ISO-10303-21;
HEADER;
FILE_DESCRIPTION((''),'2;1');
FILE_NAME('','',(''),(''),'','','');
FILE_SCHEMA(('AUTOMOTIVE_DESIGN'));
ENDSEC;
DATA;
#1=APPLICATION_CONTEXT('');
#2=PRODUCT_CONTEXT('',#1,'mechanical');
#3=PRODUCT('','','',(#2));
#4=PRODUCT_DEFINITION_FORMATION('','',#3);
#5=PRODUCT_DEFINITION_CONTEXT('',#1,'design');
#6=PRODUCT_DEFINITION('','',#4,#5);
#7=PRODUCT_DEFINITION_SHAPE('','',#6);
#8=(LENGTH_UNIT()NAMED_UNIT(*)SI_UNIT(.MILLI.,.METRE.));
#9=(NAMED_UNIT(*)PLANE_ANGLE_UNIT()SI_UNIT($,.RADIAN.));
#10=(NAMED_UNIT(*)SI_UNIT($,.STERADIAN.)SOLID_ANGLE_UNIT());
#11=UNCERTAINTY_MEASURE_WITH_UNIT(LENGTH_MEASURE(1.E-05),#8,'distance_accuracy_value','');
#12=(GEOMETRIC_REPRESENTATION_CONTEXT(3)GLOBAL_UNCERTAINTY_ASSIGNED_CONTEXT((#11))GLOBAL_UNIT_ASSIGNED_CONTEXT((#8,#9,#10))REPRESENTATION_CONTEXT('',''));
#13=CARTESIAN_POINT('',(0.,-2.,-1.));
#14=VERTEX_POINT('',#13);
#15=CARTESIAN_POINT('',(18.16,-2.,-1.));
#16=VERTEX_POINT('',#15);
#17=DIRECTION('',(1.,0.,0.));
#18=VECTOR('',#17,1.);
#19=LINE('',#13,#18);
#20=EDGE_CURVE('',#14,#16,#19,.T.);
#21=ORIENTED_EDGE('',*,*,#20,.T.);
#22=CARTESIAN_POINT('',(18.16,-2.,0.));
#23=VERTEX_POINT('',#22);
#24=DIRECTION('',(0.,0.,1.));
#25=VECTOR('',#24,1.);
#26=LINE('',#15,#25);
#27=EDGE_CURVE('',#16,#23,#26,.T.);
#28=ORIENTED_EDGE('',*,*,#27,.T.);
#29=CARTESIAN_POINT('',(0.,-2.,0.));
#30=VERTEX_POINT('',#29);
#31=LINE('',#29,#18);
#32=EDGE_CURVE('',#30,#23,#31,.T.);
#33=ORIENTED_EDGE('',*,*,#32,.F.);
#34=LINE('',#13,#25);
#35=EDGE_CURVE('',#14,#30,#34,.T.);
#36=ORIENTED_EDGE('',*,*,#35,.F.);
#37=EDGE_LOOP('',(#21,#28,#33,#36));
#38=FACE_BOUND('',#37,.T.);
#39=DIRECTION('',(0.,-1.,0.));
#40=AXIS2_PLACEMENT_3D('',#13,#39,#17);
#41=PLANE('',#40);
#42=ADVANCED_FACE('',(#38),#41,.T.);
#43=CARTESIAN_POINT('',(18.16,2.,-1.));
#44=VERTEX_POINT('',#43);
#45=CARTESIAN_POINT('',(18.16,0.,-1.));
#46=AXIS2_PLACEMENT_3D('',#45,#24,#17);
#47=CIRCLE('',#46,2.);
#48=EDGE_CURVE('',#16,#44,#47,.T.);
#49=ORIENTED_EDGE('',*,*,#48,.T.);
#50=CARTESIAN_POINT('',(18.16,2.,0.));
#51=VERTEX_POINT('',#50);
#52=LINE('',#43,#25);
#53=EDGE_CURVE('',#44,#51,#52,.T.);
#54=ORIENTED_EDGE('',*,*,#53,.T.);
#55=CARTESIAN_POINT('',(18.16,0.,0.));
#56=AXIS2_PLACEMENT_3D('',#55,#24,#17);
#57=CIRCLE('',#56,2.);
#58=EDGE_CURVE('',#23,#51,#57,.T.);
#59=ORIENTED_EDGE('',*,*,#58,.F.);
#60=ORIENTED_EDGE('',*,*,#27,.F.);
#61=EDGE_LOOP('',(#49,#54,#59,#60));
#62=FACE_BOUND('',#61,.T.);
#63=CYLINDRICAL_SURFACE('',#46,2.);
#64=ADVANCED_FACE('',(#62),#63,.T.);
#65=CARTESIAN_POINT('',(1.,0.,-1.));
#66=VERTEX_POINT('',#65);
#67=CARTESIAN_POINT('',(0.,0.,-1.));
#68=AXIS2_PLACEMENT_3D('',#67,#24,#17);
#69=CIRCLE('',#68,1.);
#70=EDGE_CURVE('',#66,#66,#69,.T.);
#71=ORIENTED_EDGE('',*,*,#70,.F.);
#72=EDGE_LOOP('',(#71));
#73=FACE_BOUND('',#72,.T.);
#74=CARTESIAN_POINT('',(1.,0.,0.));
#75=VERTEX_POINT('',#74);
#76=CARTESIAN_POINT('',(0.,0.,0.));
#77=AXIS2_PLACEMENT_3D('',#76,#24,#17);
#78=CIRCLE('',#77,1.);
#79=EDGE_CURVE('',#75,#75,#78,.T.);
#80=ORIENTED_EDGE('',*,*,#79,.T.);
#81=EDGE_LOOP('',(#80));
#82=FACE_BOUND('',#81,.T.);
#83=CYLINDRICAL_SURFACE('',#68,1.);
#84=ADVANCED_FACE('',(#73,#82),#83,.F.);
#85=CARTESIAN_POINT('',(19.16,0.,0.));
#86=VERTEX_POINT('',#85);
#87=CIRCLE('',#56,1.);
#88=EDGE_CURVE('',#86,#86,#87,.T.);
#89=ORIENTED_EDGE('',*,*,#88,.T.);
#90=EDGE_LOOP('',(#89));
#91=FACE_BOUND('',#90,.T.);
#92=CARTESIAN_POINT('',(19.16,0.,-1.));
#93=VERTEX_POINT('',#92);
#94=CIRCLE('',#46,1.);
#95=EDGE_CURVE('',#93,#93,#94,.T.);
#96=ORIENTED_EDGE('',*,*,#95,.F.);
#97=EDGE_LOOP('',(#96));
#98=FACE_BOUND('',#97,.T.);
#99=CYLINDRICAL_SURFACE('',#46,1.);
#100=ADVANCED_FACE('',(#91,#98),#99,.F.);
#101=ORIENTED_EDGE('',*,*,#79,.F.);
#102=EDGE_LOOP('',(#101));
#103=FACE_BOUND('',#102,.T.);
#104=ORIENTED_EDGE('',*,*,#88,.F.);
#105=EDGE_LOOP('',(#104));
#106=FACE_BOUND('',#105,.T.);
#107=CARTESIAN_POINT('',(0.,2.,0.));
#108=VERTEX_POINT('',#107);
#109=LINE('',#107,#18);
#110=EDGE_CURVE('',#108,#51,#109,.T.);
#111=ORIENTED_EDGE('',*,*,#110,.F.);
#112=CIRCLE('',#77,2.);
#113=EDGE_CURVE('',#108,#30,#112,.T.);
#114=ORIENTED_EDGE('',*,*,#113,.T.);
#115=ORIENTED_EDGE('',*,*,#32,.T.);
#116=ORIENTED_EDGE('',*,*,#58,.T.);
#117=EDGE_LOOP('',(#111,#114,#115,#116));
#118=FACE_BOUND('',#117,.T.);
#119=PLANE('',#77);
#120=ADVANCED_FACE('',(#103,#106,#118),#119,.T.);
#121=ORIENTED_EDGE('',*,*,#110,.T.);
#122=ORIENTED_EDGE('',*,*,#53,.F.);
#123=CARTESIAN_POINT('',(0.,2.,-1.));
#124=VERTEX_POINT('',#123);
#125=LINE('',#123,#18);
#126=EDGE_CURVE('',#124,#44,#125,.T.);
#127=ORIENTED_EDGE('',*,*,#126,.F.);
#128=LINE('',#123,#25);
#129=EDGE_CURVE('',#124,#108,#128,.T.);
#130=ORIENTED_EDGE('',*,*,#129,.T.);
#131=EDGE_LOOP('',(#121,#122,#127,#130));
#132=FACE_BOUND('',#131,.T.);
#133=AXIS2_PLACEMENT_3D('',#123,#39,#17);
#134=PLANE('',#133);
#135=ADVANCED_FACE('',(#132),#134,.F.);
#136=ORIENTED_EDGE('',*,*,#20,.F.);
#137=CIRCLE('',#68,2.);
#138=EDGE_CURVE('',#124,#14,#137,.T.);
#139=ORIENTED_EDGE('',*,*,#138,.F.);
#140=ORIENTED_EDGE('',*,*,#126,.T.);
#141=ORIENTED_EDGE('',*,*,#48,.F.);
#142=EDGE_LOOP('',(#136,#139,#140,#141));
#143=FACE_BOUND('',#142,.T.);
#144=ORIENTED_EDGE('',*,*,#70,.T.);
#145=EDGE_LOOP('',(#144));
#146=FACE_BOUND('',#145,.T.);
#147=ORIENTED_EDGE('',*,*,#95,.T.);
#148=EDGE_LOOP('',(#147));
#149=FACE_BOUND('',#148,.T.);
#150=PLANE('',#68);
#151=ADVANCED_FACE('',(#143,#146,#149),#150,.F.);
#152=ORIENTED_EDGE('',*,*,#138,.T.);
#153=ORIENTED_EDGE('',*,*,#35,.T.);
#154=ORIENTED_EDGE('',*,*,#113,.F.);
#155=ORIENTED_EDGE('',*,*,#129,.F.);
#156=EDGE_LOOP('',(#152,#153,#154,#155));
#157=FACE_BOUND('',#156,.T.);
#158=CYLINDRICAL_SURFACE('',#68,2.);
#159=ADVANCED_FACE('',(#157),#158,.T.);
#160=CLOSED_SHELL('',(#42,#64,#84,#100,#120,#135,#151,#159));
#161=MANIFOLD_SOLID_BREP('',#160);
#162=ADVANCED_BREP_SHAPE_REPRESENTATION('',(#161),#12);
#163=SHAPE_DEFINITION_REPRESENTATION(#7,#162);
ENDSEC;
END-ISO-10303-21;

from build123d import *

# Parameters (mm, degrees)
SKETCH1_R      = 1
EXTRUDE1_DEPTH = 1


with BuildPart() as part:
    # Sketch1 → Extrude1 (new body)
    with BuildSketch(Plane.XY):
        with BuildLine():
            ThreePointArc((0, 2), (-2, 0), (0, -2))
            Line((0, -2), (18.16, -2))
            ThreePointArc((18.16, -2), (20.16, 0), (18.16, 2))
            Line((18.16, 2), (0, 2))
        make_face()
        Circle(SKETCH1_R, mode=Mode.SUBTRACT)
        with Locations((18.16, 0)):
            Circle(SKETCH1_R, mode=Mode.SUBTRACT)
    extrude(amount=-EXTRUDE1_DEPTH)


solid = part.part
